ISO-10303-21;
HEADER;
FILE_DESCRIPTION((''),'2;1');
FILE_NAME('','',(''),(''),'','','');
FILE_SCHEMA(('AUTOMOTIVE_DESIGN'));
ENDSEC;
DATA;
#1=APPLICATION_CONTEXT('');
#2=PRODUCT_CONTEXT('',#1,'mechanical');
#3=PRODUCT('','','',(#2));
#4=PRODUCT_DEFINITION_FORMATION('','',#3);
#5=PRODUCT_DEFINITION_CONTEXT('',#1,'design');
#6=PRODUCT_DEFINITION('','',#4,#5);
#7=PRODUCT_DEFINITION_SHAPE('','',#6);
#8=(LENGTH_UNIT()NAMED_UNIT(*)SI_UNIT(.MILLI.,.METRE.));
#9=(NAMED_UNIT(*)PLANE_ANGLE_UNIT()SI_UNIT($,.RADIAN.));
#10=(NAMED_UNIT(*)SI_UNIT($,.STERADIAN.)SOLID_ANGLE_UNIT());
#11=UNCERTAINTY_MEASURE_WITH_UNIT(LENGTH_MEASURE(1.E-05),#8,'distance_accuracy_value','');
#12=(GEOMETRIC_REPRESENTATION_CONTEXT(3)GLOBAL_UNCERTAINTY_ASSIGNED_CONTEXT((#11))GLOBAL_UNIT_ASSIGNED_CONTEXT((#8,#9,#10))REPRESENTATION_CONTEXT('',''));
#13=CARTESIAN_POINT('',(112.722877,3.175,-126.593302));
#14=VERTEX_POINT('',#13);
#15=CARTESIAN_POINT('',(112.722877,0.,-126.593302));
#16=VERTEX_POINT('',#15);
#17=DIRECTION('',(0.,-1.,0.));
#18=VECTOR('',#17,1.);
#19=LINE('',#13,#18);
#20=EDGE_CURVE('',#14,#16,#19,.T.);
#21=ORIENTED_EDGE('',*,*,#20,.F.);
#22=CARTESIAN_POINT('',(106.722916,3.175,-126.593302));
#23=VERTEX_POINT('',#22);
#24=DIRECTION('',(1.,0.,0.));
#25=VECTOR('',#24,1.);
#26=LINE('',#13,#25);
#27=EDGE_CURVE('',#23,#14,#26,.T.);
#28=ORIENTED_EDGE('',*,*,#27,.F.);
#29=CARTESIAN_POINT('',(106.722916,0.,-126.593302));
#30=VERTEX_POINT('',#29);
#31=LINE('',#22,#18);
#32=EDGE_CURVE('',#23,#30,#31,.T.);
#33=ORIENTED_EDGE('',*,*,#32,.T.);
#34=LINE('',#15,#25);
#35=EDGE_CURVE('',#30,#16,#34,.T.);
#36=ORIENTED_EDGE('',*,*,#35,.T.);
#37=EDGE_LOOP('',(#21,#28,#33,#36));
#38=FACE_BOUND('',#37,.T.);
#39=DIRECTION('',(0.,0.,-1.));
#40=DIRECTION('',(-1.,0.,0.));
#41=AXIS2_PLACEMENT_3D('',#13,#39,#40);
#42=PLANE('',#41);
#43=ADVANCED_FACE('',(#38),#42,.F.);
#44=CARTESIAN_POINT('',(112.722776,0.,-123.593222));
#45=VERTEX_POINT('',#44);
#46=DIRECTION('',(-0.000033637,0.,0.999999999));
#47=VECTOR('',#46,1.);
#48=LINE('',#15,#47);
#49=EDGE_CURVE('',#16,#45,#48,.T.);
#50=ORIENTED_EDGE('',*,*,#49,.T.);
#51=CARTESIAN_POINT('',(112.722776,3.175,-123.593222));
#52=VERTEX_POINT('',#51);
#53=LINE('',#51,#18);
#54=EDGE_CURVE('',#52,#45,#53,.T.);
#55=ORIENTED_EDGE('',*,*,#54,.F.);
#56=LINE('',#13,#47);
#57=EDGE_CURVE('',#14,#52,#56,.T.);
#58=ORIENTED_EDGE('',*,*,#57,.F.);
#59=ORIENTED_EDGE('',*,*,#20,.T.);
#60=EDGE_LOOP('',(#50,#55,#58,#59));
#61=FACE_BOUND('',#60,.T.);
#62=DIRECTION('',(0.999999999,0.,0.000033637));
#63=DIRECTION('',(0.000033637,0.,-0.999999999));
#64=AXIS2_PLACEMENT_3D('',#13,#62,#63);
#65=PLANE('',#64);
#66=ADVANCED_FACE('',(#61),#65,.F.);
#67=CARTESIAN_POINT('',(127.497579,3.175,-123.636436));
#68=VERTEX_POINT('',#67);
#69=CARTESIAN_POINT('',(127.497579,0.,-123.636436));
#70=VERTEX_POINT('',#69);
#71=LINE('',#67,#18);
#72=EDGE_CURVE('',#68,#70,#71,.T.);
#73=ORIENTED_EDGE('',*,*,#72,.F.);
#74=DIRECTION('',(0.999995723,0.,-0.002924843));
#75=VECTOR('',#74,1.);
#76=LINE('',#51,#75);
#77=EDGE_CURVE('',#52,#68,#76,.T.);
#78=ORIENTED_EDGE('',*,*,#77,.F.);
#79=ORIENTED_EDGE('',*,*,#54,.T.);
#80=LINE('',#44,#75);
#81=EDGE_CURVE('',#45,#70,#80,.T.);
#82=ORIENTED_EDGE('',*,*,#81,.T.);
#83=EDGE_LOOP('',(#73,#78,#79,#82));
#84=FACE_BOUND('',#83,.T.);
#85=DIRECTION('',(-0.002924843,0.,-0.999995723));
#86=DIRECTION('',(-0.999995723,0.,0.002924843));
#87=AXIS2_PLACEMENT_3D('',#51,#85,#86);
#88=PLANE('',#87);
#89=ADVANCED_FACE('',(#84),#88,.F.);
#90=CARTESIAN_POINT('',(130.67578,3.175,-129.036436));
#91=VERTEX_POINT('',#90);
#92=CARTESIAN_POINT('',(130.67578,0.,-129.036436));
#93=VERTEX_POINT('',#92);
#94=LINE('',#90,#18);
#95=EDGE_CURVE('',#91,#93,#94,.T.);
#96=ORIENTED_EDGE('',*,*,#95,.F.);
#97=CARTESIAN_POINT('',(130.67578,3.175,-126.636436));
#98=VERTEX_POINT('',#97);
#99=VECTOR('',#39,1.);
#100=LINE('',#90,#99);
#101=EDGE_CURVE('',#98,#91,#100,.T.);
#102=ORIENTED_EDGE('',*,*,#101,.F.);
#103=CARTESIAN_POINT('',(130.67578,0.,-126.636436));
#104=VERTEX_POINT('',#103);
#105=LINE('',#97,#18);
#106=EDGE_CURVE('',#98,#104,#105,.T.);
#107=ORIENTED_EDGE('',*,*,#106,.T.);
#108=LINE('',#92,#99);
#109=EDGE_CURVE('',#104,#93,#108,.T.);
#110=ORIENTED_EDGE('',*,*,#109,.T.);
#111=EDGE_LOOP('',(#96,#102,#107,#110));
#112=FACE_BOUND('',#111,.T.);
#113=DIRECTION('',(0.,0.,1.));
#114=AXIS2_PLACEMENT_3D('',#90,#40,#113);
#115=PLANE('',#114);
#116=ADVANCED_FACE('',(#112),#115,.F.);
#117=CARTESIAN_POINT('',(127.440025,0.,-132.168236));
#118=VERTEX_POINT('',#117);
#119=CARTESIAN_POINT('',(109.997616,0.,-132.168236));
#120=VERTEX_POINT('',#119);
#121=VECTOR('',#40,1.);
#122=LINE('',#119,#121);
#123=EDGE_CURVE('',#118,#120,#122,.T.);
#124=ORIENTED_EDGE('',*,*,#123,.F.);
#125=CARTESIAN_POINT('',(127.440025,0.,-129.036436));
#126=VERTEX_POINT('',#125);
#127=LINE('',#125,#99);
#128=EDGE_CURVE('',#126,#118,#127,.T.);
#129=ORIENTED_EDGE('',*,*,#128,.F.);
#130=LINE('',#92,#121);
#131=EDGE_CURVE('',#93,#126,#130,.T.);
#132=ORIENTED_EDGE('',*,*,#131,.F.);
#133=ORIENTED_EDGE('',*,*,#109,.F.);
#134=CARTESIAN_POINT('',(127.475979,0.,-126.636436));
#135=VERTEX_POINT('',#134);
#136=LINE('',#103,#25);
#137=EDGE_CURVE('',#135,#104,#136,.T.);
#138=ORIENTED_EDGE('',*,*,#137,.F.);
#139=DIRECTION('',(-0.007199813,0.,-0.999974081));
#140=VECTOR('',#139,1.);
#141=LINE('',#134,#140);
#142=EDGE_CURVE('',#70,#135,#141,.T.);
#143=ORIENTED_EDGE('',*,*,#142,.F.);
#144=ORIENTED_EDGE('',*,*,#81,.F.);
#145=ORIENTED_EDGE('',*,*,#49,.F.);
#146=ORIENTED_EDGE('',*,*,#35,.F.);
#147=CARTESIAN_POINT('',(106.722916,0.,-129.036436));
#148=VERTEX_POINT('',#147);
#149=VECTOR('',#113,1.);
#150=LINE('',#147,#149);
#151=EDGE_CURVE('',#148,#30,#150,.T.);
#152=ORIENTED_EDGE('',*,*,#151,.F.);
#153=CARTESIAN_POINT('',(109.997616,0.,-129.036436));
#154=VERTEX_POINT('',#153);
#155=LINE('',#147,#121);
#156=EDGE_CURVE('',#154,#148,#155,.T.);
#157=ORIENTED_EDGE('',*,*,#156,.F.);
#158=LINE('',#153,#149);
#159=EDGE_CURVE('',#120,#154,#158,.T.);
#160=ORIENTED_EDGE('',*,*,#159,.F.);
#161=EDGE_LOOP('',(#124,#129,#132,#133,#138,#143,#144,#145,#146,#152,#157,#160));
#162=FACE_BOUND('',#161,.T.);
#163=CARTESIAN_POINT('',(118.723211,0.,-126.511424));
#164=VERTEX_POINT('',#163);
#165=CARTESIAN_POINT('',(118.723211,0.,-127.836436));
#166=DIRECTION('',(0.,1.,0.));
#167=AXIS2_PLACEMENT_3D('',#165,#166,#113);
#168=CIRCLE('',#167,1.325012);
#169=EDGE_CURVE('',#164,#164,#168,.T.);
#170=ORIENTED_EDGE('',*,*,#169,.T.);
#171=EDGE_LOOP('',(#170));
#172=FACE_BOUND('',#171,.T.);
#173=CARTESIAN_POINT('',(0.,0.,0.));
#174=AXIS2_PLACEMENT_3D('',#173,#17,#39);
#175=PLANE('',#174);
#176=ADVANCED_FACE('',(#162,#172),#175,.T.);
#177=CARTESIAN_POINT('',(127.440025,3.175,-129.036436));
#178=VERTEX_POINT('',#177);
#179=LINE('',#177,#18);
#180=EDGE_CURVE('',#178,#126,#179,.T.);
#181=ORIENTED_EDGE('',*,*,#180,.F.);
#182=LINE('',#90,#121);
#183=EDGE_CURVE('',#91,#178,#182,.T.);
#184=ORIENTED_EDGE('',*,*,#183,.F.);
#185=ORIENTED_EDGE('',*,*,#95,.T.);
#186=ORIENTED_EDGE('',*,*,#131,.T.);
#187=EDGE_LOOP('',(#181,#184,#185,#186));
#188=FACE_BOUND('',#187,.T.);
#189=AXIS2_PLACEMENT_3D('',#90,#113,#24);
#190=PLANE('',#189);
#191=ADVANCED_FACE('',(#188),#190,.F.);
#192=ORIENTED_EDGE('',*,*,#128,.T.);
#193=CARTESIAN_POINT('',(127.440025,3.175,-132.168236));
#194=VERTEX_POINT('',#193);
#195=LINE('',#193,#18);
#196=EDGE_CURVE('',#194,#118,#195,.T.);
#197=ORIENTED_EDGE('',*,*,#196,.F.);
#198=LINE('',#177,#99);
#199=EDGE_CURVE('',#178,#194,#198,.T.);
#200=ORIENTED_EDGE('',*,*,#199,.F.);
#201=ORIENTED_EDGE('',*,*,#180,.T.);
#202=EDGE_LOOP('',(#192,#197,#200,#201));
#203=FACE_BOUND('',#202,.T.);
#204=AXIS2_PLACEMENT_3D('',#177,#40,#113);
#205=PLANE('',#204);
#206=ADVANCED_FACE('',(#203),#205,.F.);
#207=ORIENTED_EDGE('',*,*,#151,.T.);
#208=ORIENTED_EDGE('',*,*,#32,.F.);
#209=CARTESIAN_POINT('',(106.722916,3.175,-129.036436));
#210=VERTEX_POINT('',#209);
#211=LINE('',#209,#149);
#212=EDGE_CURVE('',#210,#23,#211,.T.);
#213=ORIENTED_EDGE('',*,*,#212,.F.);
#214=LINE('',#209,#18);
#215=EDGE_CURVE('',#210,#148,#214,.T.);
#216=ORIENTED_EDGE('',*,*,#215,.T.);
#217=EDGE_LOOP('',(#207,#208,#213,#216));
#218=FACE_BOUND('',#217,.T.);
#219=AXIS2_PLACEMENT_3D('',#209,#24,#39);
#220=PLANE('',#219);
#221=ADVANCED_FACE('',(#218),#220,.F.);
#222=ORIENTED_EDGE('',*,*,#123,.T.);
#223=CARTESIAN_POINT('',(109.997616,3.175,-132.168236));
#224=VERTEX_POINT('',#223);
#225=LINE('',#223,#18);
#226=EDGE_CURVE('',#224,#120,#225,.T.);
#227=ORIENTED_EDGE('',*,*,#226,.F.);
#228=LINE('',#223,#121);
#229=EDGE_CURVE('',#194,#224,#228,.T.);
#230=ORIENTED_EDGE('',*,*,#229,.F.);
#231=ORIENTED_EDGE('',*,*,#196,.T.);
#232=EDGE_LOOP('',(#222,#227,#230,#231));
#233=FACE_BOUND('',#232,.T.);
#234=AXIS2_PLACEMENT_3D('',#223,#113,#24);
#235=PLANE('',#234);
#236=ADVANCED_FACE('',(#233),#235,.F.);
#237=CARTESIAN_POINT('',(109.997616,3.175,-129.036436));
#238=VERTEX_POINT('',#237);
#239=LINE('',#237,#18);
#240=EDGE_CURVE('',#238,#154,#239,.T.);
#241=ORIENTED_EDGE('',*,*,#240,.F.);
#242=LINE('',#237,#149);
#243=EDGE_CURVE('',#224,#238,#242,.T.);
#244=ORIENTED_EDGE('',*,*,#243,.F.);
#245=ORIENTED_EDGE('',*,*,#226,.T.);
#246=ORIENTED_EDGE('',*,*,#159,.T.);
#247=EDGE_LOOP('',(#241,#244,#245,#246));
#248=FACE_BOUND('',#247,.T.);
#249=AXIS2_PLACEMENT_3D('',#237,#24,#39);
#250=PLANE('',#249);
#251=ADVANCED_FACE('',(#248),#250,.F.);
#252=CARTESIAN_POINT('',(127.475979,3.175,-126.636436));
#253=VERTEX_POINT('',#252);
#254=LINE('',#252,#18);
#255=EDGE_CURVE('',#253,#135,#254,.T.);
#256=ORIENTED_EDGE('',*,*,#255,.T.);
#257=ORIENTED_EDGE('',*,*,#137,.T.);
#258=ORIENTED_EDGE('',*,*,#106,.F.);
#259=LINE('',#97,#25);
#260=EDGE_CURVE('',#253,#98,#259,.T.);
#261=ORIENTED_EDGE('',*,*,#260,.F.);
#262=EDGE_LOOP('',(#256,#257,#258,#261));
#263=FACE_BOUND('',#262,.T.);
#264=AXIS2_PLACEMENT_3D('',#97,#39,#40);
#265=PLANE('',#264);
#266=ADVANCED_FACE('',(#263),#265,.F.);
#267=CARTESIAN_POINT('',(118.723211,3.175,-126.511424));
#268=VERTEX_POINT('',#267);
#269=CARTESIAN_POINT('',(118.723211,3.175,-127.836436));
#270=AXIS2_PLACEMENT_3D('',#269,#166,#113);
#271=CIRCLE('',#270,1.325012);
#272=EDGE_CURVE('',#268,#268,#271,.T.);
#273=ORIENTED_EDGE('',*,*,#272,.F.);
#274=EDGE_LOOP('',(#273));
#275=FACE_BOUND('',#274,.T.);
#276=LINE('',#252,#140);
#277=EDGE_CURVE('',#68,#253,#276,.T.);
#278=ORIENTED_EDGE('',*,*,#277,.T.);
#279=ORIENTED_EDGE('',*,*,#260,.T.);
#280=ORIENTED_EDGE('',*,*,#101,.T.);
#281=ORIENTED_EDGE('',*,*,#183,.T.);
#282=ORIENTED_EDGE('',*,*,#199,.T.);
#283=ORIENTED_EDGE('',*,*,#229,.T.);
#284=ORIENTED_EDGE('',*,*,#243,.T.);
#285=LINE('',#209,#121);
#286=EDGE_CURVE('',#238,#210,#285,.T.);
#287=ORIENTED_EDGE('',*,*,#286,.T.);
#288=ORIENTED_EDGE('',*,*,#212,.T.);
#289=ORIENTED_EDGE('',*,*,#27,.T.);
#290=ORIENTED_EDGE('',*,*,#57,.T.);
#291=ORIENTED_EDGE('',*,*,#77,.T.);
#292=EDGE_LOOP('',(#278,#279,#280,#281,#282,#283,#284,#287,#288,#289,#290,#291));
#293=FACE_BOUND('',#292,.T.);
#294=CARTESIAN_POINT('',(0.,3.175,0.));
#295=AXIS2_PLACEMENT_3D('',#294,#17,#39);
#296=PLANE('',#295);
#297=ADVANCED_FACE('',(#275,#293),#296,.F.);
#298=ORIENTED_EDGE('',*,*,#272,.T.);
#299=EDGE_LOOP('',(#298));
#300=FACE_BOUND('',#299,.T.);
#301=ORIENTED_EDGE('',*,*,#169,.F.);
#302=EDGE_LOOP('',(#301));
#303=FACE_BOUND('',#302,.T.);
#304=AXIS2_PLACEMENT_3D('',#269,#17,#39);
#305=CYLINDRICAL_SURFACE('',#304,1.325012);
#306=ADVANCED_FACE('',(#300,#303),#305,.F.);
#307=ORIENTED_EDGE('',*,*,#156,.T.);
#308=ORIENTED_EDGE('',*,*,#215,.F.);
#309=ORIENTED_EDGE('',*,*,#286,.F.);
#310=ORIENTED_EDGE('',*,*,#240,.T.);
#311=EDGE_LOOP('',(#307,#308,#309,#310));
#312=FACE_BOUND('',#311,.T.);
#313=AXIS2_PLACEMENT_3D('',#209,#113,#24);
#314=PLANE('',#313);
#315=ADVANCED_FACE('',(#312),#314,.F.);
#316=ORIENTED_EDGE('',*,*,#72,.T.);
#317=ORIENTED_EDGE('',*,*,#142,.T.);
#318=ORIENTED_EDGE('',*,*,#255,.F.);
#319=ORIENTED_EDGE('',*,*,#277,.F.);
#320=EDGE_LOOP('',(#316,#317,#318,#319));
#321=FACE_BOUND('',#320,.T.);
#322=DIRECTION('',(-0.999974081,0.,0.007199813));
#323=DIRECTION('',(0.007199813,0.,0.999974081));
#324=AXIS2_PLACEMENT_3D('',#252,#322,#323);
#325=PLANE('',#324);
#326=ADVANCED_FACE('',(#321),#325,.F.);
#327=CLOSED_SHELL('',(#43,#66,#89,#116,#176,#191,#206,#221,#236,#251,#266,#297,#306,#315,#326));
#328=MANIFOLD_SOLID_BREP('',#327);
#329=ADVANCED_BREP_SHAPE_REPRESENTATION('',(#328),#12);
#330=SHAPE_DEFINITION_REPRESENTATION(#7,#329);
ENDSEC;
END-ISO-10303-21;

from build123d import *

# Parameters (mm, degrees)
SKETCH1_R           = 1.3250121
BOSS_EXTRUDE1_DEPTH = 3.175


with BuildPart() as part:
    # Sketch1 → Boss-Extrude1 (new body)
    with BuildSketch(Plane(origin=(0, 0, 0), x_dir=(1, 0, 0), z_dir=(0, 1, 0))):
        Polygon((112.72277638, 123.593222295), (127.497578696, 123.636436459), (127.475978696, 126.636436459), (130.675779856, 126.636436459), (130.675779856, 129.036436459), (127.440025111, 129.036436459), (127.440025111, 132.168236459), (109.997615958, 132.168236459), (109.997615958, 129.036436459), (106.722915958, 129.036436459), (106.722915958, 126.593302228), (112.722877294, 126.593302228), align=None)
        with Locations(Location((118.723210584, 127.836436459, 0), (0, 0, 270))):
            Circle(SKETCH1_R, mode=Mode.SUBTRACT)
    extrude(amount=BOSS_EXTRUDE1_DEPTH)


solid = part.part
